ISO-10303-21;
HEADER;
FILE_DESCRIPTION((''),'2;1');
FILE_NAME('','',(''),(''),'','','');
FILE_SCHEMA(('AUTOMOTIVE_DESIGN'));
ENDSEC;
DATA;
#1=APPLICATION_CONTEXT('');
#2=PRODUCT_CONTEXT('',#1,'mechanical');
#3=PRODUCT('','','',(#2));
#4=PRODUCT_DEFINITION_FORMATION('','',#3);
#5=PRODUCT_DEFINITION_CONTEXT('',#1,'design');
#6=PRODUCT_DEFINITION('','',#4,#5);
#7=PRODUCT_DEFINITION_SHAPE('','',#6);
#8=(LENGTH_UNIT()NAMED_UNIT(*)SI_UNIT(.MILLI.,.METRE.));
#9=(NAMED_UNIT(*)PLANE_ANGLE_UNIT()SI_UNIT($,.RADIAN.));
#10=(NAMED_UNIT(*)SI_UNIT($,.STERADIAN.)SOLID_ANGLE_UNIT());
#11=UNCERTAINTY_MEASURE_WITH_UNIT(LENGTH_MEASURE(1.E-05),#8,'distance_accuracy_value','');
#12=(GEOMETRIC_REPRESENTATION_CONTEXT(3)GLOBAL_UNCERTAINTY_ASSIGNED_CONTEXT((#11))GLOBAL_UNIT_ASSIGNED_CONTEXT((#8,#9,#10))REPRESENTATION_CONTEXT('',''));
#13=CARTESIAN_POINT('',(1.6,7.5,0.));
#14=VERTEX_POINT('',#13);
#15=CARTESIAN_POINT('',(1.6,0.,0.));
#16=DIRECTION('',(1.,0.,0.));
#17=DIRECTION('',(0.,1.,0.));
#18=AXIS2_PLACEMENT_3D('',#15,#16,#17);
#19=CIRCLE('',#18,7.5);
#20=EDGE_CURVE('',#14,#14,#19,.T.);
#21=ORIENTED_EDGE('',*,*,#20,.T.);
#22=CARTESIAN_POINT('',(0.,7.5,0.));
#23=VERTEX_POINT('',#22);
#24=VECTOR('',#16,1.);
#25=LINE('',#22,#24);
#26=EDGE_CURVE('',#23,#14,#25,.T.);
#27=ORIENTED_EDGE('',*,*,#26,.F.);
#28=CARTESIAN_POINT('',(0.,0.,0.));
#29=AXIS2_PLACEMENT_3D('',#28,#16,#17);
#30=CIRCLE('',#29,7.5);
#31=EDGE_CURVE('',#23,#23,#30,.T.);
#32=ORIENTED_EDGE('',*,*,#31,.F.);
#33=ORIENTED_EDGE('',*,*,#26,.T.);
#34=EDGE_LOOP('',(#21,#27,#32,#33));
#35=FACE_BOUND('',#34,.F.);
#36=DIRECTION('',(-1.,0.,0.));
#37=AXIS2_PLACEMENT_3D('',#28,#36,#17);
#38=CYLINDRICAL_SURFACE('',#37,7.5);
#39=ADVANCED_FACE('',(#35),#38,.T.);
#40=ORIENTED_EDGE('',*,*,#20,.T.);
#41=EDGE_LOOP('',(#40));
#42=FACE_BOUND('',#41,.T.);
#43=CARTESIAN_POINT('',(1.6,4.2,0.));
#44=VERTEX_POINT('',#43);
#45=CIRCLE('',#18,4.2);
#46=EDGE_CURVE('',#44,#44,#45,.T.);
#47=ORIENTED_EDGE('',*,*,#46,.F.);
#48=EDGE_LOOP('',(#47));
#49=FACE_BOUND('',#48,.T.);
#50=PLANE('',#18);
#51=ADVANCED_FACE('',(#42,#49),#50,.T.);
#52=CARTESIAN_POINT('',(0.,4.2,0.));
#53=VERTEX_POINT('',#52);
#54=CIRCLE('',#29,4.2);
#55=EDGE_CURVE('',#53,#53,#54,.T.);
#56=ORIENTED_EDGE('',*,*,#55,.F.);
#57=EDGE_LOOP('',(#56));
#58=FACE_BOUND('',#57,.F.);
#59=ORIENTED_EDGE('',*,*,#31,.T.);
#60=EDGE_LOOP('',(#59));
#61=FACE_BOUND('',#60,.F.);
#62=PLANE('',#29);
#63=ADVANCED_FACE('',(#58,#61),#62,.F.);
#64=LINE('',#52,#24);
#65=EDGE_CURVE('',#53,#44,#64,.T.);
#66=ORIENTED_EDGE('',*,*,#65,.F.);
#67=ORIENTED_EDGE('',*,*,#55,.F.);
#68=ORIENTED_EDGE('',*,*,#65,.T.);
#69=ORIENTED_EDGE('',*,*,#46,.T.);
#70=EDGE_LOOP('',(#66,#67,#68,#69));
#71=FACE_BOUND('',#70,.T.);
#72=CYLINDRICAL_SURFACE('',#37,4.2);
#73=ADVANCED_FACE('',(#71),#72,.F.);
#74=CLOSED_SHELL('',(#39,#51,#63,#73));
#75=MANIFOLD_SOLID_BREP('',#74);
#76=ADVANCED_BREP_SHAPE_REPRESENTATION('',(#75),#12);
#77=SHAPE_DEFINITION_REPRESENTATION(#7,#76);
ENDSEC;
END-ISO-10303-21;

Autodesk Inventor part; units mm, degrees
ref_plane "YZ Plane" through (0, 0, 0) normal (1, 0, 0) x (0, 1, 0)
ref_plane "XZ Plane" through (0, 0, 0) normal (0, 1, 0) x (-1, 0, 0)
sketch "Szkic" plane through (0, 0, 0) normal (1, 0, 0) x (0, 1, 0)
  circle A0 centre (0, 0) radius 7.5
  circle A1 centre (0, 0) radius 4.2
  dimension "d0" = 8.4
  dimension "d1" = 15
extrude "Bryła" add sketch "Szkic" along normal blind 1.6
ref_plane "Work Plane1" through (0, 0, 0) normal (0, 0, 1) x (1, 0, 0)
equation "\"d0\" = SD1"
equation "\"d1\" = SD2"
equation "\"d2\" = SD"
equation "\"SD1\" = 8.4"
equation "\"SD2\" = 15"
equation "\"SD\" = 1.6"
equation "\"NND\" = 8"
properties part number "DIN 433 - 8,4" material "Stal, miękka"
